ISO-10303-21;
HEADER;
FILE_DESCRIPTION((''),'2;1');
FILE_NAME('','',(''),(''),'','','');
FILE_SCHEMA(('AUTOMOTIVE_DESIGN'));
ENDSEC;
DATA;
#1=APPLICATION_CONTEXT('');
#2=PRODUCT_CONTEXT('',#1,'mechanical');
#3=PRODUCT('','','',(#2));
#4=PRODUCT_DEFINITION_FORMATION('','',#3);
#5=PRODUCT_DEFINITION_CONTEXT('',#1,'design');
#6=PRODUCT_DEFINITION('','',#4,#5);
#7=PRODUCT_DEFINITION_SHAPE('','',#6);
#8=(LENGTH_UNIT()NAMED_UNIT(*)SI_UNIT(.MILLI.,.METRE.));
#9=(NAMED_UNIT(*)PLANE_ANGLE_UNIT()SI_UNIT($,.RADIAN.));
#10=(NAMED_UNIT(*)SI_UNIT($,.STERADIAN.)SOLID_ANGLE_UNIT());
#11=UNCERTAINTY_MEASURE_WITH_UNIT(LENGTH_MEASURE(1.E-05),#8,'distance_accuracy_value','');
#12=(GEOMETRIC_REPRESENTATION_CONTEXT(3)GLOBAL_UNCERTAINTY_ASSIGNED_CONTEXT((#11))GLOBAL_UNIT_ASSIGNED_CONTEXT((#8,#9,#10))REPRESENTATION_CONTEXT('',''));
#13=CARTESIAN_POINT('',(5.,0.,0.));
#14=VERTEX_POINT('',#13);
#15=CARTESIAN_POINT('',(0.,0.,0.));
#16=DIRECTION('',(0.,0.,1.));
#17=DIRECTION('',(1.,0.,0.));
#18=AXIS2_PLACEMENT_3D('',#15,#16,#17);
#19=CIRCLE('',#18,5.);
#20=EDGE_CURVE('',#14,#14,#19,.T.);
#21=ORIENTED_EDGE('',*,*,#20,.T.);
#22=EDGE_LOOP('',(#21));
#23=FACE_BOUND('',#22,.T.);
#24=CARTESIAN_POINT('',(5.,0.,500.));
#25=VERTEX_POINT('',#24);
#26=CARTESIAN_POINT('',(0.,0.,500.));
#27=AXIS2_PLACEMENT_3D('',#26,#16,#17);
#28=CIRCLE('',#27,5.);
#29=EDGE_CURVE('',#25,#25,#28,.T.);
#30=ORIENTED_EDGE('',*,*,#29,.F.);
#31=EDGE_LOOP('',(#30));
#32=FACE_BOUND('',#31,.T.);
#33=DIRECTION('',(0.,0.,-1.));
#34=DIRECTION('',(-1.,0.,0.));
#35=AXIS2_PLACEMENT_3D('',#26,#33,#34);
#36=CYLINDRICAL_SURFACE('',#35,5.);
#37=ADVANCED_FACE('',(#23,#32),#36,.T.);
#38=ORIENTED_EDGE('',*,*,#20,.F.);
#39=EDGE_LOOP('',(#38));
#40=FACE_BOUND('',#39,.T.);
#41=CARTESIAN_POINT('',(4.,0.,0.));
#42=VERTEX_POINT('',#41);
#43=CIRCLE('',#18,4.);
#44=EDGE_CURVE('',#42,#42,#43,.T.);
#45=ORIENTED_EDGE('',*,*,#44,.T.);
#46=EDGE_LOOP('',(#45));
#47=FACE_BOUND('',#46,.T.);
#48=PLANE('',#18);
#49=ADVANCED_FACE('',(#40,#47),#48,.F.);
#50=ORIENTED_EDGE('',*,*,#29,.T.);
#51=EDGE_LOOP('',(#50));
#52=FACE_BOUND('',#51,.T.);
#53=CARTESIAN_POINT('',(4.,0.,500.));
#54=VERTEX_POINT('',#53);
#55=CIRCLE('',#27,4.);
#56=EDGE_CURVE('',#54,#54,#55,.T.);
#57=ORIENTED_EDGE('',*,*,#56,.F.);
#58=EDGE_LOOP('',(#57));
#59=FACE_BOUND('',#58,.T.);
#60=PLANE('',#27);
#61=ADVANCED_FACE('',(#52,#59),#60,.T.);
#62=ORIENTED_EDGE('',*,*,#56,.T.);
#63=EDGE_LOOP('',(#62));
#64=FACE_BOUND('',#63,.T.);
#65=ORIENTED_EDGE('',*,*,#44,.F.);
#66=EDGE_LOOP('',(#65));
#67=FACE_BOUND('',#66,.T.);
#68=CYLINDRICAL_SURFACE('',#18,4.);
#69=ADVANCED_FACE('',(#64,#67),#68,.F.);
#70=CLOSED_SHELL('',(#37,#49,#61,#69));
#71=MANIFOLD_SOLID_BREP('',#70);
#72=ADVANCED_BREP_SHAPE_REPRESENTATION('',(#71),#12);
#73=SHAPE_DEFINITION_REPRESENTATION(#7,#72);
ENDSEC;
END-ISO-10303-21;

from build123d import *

# Parameters (mm, degrees)
SZKIC1_R                    = 5
DODANIE_WYCI_GNI_CIE1_DEPTH = 500
SZKIC2_R                    = 4
WYTNIJ_WYCI_GNI_CIE1_DEPTH  = 500


with BuildPart() as part:
    # Szkic1 → Dodanie-wyciągnięcie1 (new body)
    with BuildSketch(Plane.XY):
        Circle(SZKIC1_R)
    extrude(amount=DODANIE_WYCI_GNI_CIE1_DEPTH)

    # Szkic2 → Wytnij-wyciągnięcie1 (cut)
    with BuildSketch(Plane.XY.offset(500)):
        Circle(SZKIC2_R)
    extrude(amount=-WYTNIJ_WYCI_GNI_CIE1_DEPTH, mode=Mode.SUBTRACT)


solid = part.part
